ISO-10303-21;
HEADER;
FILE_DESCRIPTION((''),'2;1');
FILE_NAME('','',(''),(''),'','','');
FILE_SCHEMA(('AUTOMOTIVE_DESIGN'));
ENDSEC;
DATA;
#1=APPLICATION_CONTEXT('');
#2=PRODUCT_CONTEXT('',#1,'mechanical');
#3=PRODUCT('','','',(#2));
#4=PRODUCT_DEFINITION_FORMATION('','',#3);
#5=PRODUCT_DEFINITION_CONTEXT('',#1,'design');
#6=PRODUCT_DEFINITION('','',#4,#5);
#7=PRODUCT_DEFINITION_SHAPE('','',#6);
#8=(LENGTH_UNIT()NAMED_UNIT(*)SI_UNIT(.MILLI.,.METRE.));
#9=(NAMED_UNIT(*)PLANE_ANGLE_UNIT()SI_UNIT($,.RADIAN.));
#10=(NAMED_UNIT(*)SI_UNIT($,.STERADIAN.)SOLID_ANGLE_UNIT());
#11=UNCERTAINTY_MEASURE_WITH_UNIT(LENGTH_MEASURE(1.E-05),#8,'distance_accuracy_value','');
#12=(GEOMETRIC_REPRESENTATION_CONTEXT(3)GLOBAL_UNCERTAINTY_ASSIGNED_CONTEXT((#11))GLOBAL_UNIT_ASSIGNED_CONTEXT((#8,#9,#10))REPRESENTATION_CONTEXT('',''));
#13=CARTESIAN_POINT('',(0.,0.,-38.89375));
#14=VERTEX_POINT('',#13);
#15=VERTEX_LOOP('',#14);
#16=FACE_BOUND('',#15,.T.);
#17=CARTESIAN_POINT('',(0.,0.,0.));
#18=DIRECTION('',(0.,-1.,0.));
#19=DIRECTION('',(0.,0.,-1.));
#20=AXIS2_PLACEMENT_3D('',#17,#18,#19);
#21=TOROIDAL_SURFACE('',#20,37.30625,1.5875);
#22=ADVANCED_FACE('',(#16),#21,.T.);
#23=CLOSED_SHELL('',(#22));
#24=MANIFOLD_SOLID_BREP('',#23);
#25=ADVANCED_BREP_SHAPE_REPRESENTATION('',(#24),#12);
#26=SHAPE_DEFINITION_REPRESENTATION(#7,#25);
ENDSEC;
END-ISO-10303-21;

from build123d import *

# Parameters (mm, degrees)
SKETCH1_R = 1.5875


with BuildPart() as part:
    # Sketch1 → Revolve1 (revolve)
    with BuildSketch(Plane.XY, mode=Mode.PRIVATE) as revolve1_sk:
        with Locations((37.30625, 0)):
            Circle(SKETCH1_R)
    revolve(revolve1_sk.sketch.rotate(Axis((0, 0, 0), (0, 1, 0)), 90), axis=Axis((0, 0, 0), (0, 1, 0)))


solid = part.part
